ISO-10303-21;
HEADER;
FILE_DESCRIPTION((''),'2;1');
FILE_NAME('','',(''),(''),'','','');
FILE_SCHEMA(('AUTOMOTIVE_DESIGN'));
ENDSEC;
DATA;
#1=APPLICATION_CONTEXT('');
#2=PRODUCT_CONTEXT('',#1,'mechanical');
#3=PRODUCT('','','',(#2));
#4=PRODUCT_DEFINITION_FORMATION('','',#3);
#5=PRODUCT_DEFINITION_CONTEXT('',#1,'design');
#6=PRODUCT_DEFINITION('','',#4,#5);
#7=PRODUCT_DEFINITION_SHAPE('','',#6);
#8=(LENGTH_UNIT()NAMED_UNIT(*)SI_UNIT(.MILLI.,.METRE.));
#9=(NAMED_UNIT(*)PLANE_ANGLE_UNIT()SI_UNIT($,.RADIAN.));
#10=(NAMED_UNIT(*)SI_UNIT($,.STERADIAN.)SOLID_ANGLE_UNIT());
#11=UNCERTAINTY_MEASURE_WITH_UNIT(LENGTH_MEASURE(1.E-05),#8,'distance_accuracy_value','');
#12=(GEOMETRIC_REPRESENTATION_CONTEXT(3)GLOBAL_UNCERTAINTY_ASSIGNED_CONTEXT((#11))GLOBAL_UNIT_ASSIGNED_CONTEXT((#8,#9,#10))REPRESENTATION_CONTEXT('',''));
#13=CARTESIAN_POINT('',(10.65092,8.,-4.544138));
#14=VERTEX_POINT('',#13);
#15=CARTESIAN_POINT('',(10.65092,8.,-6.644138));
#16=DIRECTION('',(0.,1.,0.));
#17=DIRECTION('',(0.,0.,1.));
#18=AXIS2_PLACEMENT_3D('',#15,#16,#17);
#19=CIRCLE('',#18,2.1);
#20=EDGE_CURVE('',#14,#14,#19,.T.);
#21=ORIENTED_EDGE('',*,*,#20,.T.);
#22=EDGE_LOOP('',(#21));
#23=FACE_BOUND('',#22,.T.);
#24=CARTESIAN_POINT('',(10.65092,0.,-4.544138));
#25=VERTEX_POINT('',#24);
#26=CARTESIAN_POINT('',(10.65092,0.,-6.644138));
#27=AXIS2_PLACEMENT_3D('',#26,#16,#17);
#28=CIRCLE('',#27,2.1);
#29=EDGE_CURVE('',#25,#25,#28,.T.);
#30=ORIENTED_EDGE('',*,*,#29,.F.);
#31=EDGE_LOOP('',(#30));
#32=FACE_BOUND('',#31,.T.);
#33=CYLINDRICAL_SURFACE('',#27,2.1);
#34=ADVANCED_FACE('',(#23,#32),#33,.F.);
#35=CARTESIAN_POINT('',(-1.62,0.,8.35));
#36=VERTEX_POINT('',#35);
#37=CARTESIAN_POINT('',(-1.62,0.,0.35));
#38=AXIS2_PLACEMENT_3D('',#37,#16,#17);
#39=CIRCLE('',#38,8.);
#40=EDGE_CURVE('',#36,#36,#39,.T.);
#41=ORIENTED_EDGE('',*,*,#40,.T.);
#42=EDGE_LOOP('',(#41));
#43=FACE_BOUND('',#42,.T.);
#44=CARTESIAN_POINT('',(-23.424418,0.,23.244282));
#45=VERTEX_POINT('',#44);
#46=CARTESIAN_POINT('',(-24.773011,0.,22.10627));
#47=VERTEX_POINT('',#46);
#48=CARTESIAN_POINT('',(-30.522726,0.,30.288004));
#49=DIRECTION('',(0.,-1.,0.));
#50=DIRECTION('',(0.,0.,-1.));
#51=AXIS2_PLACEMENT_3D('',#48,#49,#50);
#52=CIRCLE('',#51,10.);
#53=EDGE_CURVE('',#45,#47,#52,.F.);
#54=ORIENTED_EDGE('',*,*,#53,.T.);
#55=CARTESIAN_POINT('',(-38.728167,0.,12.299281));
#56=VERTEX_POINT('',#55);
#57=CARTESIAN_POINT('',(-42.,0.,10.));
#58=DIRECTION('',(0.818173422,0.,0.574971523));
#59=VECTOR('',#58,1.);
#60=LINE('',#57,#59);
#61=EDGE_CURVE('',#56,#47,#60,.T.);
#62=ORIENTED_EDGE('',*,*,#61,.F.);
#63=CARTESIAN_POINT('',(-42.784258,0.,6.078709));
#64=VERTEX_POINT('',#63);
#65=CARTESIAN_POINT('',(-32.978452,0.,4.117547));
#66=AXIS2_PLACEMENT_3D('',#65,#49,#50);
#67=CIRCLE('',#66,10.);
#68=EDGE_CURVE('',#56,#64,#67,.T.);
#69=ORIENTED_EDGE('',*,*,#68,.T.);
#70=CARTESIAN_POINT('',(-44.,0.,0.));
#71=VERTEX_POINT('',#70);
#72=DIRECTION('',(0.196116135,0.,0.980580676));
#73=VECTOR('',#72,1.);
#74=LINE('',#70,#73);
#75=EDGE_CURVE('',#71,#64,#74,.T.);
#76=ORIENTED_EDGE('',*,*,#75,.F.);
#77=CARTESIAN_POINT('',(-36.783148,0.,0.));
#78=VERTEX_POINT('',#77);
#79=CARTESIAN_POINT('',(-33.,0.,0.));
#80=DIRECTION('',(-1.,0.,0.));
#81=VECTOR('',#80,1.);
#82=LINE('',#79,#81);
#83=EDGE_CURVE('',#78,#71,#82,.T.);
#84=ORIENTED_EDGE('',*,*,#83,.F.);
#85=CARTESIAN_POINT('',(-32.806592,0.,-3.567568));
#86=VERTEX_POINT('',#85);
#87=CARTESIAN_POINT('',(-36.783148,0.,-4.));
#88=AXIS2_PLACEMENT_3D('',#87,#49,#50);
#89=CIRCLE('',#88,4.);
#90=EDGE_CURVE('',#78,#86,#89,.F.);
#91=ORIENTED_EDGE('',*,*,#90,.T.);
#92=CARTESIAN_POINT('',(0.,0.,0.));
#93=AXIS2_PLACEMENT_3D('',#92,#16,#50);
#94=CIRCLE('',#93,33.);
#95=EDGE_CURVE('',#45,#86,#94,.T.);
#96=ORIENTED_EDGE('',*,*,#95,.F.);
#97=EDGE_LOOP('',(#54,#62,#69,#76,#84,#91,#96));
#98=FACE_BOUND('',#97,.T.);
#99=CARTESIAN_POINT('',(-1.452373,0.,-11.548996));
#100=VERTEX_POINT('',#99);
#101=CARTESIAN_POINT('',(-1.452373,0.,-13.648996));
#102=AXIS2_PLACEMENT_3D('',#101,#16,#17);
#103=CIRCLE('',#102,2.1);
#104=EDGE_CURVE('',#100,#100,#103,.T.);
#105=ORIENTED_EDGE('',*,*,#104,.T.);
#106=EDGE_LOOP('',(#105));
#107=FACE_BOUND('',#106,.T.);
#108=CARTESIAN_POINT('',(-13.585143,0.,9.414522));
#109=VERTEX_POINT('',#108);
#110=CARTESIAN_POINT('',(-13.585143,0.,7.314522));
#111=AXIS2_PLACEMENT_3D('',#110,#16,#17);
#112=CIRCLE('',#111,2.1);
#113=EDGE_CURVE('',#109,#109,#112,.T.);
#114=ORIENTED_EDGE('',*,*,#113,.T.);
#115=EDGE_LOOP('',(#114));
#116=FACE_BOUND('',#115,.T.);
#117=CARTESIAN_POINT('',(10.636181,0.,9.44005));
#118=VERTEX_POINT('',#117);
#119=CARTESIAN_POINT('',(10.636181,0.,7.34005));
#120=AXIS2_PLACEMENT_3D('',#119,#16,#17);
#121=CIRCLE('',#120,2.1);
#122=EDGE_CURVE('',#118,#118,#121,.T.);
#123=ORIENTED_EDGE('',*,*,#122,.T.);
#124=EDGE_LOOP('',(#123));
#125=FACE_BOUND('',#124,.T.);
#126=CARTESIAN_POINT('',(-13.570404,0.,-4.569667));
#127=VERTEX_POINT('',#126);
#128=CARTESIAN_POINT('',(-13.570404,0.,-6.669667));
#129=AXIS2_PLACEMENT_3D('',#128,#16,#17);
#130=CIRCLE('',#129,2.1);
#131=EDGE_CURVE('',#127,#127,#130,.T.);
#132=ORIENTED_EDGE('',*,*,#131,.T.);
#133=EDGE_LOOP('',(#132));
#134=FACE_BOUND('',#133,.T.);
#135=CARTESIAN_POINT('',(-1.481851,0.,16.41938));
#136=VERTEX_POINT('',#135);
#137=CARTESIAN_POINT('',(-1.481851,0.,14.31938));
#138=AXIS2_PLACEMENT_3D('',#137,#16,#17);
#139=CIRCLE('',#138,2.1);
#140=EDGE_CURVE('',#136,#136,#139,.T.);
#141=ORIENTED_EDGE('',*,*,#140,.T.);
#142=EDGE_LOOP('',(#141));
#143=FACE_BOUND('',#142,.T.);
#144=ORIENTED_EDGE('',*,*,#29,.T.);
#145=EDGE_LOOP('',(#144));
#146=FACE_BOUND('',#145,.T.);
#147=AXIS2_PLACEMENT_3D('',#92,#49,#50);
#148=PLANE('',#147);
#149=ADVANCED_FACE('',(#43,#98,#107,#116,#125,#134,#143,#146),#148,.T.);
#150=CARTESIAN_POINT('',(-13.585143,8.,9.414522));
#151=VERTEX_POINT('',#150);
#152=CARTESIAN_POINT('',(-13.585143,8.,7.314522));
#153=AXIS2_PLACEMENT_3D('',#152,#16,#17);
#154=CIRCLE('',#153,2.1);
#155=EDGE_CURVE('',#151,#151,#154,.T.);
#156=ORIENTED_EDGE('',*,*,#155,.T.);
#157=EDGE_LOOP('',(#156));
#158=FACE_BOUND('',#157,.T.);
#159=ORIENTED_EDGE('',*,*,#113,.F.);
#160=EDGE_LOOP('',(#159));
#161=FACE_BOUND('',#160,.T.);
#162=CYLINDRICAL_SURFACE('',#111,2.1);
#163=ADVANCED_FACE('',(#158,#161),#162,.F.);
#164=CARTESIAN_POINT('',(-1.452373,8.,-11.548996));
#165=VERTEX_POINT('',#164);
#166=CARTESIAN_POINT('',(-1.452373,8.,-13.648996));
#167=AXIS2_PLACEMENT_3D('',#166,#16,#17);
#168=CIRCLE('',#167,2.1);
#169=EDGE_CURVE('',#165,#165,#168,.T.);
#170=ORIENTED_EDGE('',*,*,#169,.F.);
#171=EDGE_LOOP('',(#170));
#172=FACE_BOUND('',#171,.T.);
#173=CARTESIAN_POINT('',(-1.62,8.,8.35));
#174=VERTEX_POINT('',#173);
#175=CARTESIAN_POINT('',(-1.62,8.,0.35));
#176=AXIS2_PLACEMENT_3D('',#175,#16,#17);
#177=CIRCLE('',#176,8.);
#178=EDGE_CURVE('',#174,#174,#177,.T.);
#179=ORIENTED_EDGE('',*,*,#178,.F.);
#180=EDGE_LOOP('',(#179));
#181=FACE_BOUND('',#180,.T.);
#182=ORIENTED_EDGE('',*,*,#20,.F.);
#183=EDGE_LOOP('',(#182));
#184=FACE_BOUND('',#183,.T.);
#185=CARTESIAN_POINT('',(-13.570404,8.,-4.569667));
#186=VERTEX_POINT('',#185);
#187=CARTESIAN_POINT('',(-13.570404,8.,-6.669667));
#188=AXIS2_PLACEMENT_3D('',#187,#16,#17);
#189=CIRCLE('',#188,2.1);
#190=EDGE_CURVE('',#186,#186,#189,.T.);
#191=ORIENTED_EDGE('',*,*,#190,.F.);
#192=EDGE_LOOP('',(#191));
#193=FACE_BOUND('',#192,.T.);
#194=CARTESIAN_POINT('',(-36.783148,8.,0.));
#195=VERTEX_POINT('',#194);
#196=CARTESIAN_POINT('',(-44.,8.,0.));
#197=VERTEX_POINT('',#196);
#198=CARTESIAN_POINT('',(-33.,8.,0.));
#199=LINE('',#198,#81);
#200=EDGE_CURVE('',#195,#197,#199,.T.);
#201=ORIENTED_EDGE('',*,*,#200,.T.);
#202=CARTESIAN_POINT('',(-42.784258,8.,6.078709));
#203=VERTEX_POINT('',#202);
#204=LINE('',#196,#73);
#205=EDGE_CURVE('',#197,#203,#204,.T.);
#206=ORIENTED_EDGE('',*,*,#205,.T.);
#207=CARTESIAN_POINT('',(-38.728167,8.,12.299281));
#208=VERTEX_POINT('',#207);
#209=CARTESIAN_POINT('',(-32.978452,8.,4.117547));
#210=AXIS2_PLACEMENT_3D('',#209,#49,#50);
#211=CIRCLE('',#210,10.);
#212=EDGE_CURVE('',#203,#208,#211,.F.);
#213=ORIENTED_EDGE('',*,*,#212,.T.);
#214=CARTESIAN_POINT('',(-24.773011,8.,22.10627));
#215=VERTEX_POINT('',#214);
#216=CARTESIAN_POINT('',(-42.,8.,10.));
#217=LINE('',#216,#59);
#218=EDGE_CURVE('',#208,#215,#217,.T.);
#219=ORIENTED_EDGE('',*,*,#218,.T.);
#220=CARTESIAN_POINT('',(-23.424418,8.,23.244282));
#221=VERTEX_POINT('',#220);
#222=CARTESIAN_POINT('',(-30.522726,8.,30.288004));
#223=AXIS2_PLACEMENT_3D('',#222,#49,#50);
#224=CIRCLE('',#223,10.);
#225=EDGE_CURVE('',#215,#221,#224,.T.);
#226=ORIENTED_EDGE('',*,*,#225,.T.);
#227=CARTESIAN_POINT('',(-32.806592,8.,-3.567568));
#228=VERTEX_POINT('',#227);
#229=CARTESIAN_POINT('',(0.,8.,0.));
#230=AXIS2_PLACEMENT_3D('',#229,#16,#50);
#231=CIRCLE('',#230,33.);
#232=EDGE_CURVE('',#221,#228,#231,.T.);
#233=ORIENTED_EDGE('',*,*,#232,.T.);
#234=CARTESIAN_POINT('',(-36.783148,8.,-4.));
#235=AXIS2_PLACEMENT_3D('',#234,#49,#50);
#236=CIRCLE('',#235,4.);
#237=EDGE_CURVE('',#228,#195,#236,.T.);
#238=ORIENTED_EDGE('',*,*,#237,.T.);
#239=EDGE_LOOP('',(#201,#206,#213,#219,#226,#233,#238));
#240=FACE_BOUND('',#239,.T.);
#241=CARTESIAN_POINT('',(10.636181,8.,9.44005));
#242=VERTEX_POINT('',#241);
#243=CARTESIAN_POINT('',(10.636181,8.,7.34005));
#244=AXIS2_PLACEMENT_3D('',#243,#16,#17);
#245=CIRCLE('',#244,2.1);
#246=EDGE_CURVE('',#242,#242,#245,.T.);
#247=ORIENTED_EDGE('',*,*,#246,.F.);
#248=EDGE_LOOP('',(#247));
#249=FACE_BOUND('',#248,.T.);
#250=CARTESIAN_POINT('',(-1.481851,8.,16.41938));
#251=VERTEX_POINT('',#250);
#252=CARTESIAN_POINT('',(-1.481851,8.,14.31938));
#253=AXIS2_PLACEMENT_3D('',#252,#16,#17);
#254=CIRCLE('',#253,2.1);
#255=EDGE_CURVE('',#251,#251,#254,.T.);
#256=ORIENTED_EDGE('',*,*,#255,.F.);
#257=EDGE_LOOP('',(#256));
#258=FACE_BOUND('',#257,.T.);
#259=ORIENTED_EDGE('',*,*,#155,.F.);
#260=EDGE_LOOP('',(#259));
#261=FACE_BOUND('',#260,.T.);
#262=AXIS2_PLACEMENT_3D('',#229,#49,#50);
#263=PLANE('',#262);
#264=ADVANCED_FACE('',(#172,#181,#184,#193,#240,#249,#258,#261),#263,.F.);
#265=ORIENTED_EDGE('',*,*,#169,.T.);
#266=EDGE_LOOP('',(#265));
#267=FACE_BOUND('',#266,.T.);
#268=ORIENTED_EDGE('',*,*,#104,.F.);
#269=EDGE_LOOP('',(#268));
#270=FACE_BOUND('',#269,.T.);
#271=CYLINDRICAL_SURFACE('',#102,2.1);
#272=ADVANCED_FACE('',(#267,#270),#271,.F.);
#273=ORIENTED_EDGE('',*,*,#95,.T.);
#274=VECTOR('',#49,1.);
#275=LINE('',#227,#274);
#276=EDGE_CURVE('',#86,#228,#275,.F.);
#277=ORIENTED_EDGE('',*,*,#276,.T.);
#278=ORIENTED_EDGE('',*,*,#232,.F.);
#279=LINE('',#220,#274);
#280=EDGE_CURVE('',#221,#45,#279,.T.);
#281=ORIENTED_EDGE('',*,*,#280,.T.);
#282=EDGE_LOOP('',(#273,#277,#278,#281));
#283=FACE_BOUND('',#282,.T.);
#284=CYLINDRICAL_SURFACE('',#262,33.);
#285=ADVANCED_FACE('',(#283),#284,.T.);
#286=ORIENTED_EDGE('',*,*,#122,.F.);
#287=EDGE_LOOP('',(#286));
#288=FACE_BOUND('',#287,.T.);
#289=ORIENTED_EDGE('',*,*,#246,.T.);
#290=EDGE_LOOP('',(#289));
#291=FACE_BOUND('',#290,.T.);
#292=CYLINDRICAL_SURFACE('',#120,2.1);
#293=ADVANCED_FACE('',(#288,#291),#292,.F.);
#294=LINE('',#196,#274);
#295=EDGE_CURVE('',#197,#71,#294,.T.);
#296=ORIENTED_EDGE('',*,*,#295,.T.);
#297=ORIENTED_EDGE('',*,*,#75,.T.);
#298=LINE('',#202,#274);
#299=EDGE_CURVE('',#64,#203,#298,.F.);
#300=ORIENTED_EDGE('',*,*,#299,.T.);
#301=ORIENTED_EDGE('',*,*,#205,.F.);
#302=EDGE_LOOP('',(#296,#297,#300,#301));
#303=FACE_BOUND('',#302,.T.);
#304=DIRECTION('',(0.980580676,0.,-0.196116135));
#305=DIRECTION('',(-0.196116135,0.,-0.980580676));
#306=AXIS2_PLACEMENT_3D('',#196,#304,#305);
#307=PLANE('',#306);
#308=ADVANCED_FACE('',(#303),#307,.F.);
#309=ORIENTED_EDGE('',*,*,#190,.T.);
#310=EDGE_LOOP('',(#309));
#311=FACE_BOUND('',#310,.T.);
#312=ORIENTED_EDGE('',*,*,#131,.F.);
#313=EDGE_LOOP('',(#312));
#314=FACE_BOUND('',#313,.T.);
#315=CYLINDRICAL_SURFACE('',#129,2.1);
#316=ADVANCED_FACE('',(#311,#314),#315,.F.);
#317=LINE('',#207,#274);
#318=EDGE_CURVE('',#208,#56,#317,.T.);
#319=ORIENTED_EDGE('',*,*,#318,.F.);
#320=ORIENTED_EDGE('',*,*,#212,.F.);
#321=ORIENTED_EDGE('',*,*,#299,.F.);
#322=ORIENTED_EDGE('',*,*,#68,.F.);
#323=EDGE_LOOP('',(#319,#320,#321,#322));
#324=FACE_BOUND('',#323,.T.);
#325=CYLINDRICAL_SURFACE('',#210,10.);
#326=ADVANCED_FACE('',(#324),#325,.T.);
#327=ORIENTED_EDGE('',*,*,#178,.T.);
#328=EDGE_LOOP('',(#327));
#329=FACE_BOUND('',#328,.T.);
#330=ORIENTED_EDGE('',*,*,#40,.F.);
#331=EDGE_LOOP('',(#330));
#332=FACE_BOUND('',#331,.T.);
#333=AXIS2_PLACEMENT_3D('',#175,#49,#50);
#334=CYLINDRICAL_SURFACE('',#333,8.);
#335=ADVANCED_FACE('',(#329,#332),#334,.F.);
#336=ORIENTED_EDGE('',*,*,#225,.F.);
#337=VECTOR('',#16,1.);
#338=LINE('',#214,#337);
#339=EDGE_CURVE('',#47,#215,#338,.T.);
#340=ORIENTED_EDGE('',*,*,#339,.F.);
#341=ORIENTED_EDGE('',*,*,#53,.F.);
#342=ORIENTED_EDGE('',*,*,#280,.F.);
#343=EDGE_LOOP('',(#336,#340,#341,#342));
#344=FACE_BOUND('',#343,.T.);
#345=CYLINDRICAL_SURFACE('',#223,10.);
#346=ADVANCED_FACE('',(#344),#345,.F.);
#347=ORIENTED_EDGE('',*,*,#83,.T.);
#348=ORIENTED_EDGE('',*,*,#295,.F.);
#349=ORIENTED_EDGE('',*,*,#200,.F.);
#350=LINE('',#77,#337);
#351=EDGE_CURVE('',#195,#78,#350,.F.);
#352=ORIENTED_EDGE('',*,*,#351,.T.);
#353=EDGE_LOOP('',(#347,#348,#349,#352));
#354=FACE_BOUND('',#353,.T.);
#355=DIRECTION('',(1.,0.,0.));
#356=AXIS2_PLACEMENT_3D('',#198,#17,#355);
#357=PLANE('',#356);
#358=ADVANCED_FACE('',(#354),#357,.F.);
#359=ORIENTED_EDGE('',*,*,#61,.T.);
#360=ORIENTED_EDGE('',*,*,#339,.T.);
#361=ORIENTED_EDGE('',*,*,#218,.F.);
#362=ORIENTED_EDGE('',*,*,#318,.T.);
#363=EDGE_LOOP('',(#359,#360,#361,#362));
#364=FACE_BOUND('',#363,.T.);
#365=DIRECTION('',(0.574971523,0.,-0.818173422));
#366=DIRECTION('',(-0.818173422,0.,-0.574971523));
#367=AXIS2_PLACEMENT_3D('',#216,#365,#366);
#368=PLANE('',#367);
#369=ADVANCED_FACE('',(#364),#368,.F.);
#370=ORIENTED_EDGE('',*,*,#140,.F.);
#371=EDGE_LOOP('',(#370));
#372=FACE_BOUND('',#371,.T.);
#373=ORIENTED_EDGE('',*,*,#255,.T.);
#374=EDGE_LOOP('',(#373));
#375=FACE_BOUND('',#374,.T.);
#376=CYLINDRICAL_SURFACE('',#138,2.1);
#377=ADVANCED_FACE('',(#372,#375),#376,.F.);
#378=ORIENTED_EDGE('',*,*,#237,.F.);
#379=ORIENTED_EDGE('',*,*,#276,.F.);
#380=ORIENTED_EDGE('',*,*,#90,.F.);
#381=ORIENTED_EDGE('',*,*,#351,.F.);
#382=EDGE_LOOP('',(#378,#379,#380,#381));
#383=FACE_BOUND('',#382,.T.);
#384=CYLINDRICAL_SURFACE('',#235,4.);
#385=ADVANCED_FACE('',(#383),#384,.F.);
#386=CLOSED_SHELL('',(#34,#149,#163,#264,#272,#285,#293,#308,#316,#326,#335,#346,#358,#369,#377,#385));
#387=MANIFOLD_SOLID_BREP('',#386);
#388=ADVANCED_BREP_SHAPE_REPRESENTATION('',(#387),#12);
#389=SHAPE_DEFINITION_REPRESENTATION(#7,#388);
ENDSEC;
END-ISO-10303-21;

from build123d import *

# Parameters (mm, degrees)
SKETCH1_R           = 8
BOSS_EXTRUDE1_DEPTH = 8
FILLET1_R           = 4
FILLET2_R           = 10
SKETCH2_R           = 2.1
CUT_EXTRUDE1_DEPTH  = 9


with BuildPart() as part:
    # Sketch1 → Boss-Extrude1 (new body)
    with BuildSketch(Plane(origin=(0, 0, 0), x_dir=(1, 0, 0), z_dir=(0, 1, 0))):
        with BuildLine():
            Line((-33, 0), (-44, 0))
            Line((-44, 0), (-42, -10))
            Line((-42, -10), (-24, -22.649503306))
            ThreePointArc((-24, -22.649503306), (30.66757245, 12.186057607), (-33, 0))
        make_face()
        with Locations((-1.62, -0.35)):
            Circle(SKETCH1_R, mode=Mode.SUBTRACT)
    extrude(amount=BOSS_EXTRUDE1_DEPTH)

    # Fillet1
    fillet1_edges = [part.edges().sort_by_distance(p)[0] for p in [
        (-33, 4, 0),
    ]]
    fillet(fillet1_edges, radius=FILLET1_R)

    # Fillet2
    fillet2_edges = [part.edges().sort_by_distance(p)[0] for p in [
        (-24, 4, 22.649503306),
        (-42, 4, 10),
    ]]
    fillet(fillet2_edges, radius=FILLET2_R)

    # Sketch2 → Cut-Extrude1 (cut, through all)
    with BuildSketch(Plane(origin=(0, 8, 0), x_dir=(1, 0, 0), z_dir=(0, 1, 0))):
        with Locations((-1.452372624, 13.648996431)):
            Circle(SKETCH2_R)
        with Locations((10.650920222, 6.644137969)):
            Circle(SKETCH2_R)
        with Locations((10.636181267, -7.340050335)):
            Circle(SKETCH2_R)
        with Locations((-1.481850533, -14.319380179)):
            Circle(SKETCH2_R)
        with Locations((-13.585143379, -7.314521718)):
            Circle(SKETCH2_R)
        with Locations((-13.570404425, 6.669666587)):
            Circle(SKETCH2_R)
    extrude(amount=-CUT_EXTRUDE1_DEPTH, mode=Mode.SUBTRACT)


solid = part.part
